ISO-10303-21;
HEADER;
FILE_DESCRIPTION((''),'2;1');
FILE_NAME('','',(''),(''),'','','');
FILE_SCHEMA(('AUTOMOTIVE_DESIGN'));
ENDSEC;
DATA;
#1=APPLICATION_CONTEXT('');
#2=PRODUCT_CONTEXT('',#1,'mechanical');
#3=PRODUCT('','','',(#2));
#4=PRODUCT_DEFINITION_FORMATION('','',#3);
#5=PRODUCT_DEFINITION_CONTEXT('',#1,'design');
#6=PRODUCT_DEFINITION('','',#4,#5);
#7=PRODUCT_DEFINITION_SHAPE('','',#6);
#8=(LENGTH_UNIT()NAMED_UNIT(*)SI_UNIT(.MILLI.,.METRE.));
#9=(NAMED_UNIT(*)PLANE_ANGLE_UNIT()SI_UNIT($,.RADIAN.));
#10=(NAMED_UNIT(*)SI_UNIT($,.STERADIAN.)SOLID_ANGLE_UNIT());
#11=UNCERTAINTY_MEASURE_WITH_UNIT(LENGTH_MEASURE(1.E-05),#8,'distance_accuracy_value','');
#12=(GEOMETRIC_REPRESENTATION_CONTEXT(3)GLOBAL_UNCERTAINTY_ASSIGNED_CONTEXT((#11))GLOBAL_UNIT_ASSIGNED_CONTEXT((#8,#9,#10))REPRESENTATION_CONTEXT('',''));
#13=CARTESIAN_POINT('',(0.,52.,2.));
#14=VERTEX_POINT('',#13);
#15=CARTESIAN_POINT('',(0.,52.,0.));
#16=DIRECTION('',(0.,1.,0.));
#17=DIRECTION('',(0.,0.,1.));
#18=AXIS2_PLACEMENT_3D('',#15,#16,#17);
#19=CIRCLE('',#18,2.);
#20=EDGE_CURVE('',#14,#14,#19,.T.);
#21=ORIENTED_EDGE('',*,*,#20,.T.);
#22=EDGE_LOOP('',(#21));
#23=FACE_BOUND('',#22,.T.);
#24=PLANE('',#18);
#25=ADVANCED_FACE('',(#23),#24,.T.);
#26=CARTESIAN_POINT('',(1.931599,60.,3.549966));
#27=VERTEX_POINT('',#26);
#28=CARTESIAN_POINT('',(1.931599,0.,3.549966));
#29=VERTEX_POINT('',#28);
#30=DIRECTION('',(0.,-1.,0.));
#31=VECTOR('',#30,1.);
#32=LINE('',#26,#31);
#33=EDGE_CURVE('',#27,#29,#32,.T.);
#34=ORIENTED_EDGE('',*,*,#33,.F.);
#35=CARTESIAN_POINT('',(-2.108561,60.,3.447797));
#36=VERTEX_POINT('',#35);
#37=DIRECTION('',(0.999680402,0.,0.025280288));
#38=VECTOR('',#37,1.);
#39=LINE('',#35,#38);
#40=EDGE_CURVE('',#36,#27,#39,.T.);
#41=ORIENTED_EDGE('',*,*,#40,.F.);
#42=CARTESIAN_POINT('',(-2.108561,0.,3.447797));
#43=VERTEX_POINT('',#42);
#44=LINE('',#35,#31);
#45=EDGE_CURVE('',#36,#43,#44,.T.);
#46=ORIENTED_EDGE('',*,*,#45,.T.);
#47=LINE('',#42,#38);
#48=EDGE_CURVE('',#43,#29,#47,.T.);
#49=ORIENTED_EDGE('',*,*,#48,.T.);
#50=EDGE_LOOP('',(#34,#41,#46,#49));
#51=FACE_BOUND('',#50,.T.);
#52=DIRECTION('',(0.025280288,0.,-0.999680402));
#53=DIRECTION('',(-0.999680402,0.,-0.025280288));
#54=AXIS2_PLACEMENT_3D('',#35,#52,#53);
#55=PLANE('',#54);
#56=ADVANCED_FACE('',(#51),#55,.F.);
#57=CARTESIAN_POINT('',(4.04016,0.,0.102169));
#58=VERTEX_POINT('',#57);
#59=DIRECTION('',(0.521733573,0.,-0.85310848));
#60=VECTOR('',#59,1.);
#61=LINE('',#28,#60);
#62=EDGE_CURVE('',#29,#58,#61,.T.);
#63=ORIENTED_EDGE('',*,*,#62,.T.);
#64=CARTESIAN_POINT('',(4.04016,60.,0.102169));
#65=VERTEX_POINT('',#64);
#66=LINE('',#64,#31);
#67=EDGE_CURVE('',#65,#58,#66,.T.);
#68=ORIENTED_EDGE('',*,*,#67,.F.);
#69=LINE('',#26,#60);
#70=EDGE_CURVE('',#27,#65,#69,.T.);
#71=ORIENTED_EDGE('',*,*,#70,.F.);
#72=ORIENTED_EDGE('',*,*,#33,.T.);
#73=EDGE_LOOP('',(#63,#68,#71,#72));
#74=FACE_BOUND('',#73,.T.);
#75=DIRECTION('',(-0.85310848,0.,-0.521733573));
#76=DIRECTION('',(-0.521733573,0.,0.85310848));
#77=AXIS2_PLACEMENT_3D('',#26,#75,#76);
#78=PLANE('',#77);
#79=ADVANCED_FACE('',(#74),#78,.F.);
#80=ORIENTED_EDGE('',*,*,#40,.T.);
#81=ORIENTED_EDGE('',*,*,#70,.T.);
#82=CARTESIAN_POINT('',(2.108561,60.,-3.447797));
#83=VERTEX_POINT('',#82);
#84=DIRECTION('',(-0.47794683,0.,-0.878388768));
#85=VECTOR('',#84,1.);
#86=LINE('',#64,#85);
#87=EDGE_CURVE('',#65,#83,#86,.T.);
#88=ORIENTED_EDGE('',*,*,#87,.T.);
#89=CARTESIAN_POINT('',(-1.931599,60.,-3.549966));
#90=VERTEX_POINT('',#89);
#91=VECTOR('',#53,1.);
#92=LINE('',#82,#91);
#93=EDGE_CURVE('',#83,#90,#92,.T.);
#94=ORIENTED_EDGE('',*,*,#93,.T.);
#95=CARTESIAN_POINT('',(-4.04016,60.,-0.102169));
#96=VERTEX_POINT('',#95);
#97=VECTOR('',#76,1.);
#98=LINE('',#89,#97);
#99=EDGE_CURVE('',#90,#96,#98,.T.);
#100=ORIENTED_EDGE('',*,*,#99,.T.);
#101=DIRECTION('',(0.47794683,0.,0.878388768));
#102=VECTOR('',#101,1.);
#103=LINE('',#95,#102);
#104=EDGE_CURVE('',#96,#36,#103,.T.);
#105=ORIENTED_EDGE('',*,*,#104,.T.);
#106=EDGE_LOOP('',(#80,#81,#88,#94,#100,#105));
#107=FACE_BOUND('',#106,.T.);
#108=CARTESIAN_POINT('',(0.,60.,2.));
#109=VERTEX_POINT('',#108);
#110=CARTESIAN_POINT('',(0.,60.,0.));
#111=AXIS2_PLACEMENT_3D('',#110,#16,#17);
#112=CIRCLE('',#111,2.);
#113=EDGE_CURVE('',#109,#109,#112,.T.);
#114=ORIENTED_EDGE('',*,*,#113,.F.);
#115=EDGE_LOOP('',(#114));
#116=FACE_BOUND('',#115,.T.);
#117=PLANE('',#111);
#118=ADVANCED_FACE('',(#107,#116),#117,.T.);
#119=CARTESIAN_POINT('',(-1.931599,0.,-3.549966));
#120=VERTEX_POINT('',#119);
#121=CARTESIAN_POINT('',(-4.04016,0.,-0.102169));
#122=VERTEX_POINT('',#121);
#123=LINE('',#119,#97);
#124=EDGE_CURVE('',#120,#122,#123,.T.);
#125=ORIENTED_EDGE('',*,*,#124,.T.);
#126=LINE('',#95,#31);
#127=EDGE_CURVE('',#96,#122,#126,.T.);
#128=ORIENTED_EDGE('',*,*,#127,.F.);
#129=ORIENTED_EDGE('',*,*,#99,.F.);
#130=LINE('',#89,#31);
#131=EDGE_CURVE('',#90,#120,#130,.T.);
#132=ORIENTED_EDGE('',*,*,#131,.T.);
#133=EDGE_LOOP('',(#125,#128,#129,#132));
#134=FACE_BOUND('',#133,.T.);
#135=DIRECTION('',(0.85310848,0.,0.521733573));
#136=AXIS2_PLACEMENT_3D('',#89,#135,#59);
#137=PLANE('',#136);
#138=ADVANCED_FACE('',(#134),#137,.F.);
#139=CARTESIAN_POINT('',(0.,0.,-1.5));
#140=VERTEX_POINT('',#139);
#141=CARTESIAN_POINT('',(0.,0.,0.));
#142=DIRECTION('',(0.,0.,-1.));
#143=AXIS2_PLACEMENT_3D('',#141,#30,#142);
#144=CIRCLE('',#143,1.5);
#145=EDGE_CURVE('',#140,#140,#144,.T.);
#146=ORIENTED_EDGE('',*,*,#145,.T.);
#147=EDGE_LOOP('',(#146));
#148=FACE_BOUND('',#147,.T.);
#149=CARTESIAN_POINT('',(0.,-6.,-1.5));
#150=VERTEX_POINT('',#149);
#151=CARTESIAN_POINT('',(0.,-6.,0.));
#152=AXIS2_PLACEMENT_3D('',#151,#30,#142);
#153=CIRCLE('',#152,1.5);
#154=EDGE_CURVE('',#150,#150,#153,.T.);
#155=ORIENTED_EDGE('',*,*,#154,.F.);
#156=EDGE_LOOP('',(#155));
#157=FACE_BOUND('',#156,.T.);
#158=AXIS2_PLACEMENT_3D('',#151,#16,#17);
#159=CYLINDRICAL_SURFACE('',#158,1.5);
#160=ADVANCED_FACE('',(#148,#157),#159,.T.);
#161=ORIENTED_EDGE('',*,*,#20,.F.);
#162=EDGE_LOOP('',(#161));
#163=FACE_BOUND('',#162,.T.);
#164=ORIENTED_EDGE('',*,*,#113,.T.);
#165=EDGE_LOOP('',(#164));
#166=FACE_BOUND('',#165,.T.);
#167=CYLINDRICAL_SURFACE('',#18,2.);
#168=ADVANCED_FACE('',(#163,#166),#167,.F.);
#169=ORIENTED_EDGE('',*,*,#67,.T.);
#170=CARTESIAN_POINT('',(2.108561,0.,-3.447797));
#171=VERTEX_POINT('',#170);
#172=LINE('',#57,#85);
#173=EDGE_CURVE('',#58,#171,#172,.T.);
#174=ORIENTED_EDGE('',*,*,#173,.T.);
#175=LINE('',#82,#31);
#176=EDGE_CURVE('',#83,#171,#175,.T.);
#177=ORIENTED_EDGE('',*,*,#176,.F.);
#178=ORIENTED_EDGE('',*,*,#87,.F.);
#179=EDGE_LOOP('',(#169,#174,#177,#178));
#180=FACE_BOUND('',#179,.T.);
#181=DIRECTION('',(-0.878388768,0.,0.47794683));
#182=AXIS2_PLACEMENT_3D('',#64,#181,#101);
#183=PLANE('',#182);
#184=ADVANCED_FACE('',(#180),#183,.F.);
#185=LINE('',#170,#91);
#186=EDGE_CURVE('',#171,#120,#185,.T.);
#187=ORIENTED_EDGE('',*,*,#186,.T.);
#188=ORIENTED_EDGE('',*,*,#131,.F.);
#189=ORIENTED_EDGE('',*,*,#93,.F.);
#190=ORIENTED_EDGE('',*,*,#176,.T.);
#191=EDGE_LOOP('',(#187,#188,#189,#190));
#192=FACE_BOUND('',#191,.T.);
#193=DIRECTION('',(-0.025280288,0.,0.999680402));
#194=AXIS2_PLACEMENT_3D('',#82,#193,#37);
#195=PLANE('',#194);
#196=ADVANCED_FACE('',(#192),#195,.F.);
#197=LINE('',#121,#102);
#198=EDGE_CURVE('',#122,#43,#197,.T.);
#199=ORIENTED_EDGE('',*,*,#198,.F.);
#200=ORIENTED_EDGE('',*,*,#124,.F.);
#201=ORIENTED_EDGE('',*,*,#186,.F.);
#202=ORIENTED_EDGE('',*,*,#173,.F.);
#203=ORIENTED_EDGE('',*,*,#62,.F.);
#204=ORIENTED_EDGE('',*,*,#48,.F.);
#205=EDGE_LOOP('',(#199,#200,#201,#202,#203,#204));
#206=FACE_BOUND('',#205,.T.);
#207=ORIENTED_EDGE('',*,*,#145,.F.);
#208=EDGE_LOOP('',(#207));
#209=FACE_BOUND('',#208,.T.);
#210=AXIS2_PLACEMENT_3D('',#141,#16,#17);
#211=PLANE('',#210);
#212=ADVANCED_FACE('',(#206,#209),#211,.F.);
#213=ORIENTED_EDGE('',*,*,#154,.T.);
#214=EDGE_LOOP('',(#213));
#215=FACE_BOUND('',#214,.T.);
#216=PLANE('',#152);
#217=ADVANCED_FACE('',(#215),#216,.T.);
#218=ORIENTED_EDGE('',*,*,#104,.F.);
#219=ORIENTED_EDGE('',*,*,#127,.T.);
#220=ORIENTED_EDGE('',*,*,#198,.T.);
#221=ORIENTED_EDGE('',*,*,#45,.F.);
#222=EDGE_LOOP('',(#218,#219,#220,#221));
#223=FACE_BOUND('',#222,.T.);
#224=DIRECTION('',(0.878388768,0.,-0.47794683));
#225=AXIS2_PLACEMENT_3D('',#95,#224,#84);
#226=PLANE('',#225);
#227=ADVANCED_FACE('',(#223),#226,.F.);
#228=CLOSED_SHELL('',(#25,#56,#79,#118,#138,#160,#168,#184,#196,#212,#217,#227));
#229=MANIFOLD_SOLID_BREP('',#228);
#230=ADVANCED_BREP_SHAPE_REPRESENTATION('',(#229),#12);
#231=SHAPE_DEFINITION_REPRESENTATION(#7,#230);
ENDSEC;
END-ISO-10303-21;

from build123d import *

# Parameters (mm, degrees)
EXTRUDE_1_DEPTH     = 60
SKETCH_2_R          = 2
CUT_EXTRUDE_1_DEPTH = 8
SKETCH_3_R          = 1.5
EXTRUDE_2_DEPTH     = 6


with BuildPart() as part:
    # 스케치1 → 보스-돌출1 (new body)
    with BuildSketch(Plane(origin=(0, 0, 0), x_dir=(1, 0, 0), z_dir=(0, 1, 0))):
        Polygon((1.931599116, -3.549965942), (4.040160246, -0.102169067), (2.108561131, 3.447796875), (-1.931599116, 3.549965942), (-4.040160246, 0.102169067), (-2.108561131, -3.447796875), align=None)
    extrude(amount=EXTRUDE_1_DEPTH)

    # 스케치2 → 컷-돌출1 (cut)
    with BuildSketch(Plane(origin=(0, 60, 0), x_dir=(1, 0, 0), z_dir=(0, 1, 0))):
        with Locations(Location((0, 0, 0), (0, 0, 270))):
            Circle(SKETCH_2_R)
    extrude(amount=-CUT_EXTRUDE_1_DEPTH, mode=Mode.SUBTRACT)

    # 스케치3 → 보스-돌출2 (add)
    with BuildSketch(Plane.XZ):
        with Locations(Location((0, 0, 0), (0, 0, 270))):
            Circle(SKETCH_3_R)
    extrude(amount=EXTRUDE_2_DEPTH)


solid = part.part
